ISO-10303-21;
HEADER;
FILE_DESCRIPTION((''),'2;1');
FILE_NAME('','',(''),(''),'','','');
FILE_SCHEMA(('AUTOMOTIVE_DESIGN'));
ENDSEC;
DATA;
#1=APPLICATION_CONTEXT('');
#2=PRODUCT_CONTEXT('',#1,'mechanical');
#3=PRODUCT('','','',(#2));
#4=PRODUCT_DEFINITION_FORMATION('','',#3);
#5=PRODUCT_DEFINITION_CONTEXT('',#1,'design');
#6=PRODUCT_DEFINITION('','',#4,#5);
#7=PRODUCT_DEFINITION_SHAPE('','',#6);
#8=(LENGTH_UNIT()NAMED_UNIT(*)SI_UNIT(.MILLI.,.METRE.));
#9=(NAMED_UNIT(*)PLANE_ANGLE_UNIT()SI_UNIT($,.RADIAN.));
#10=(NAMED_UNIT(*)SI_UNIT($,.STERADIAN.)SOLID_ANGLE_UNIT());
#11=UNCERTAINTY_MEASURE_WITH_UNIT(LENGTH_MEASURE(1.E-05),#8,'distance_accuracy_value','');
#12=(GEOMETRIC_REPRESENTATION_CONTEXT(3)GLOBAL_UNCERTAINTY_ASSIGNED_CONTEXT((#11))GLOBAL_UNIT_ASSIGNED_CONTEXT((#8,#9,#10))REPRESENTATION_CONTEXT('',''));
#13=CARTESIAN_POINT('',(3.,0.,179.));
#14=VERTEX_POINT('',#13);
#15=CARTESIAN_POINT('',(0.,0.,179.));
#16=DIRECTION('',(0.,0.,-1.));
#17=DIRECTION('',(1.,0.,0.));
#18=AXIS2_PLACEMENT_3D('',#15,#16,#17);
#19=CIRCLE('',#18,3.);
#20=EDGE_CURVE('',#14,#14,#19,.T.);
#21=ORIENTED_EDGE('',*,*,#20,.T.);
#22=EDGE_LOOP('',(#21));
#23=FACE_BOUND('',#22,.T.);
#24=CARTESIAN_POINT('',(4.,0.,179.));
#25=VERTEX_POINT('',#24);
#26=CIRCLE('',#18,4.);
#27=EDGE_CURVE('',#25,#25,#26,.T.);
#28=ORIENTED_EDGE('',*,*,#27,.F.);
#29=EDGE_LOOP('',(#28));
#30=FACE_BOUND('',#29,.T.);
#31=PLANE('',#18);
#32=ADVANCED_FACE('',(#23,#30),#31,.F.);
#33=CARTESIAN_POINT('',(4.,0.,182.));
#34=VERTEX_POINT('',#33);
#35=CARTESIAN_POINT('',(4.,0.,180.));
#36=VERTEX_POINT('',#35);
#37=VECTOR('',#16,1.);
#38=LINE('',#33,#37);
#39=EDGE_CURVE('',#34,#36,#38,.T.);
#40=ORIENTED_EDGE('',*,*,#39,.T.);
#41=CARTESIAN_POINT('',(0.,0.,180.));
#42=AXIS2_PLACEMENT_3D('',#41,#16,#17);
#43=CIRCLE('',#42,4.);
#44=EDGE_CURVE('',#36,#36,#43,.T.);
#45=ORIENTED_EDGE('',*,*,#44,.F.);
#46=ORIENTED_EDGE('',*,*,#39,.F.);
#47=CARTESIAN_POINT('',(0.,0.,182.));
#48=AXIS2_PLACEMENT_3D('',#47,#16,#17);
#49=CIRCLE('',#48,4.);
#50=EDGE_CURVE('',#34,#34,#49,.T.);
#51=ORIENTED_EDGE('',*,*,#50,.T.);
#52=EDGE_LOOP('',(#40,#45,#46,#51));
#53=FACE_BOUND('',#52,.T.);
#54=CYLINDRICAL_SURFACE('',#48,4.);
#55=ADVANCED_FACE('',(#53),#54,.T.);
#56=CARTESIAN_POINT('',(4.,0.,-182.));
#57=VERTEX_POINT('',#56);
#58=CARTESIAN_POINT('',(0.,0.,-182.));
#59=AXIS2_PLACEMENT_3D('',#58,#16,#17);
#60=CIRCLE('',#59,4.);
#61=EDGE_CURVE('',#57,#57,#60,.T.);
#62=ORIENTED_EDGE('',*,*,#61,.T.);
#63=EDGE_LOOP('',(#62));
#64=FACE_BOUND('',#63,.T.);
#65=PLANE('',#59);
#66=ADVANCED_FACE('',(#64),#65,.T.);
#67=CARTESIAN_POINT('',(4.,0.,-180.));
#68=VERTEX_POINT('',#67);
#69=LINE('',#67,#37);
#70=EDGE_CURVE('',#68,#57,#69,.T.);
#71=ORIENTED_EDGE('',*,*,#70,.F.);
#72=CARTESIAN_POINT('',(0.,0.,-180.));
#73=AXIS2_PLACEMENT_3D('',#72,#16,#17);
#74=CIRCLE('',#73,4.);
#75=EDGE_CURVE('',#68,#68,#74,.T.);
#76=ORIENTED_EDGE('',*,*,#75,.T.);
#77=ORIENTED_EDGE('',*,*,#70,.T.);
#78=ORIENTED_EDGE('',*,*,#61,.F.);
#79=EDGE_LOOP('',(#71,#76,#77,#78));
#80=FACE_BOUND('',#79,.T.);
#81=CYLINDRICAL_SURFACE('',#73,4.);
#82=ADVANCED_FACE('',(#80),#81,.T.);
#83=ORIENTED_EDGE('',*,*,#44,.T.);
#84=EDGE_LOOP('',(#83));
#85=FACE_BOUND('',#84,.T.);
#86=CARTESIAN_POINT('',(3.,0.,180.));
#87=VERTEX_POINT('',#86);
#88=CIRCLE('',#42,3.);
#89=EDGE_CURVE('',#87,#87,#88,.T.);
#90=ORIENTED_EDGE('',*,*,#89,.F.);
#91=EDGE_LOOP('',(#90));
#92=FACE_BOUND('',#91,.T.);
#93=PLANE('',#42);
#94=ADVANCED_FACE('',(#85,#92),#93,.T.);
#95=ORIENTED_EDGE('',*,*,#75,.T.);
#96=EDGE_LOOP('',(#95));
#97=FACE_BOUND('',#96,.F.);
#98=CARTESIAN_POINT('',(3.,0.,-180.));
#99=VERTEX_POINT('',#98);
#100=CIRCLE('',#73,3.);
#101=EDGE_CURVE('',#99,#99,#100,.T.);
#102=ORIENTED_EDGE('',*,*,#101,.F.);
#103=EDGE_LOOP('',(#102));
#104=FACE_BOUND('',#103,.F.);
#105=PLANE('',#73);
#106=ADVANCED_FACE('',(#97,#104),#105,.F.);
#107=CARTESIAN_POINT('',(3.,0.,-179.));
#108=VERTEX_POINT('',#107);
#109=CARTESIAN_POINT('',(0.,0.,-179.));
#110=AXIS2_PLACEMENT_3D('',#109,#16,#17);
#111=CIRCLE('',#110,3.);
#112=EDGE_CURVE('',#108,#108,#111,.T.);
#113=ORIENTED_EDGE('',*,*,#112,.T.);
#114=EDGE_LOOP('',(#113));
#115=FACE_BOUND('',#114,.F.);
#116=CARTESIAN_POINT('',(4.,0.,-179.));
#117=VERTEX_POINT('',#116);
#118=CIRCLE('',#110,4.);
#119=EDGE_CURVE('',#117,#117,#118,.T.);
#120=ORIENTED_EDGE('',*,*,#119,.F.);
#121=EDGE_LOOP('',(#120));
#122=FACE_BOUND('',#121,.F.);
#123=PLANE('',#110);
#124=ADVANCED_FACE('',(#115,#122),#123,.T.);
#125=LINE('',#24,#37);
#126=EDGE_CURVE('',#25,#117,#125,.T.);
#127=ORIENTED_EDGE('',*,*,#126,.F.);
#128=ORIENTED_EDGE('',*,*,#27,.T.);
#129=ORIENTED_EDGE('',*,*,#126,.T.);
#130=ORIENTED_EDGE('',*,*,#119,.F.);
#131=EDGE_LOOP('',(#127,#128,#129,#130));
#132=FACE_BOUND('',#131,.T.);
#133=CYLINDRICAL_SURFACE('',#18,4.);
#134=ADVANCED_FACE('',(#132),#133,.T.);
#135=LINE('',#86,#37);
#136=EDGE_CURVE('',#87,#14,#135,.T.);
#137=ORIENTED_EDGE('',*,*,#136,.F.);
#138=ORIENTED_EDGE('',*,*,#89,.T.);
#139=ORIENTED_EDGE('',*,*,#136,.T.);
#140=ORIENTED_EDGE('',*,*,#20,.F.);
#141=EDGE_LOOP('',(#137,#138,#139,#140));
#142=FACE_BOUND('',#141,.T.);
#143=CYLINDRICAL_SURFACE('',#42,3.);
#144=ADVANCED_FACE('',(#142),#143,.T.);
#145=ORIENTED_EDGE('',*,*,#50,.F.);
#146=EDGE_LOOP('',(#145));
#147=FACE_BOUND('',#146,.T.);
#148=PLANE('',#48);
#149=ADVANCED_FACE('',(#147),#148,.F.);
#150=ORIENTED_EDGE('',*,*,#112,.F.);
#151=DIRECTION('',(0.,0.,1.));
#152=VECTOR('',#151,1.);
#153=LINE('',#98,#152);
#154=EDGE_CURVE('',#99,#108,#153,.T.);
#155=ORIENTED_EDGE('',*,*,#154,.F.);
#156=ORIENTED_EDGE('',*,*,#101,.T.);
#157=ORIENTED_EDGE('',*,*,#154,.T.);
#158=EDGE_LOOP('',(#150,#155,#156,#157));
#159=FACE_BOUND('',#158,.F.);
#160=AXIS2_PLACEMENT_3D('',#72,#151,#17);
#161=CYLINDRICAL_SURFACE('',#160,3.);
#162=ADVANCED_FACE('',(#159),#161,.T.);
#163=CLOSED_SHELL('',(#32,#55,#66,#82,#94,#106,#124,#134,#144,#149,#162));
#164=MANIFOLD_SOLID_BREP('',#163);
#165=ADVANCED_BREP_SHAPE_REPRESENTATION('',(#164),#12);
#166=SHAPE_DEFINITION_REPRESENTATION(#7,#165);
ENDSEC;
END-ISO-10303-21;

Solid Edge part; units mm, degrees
sketch "Sketch1" plane through (0, 0, 0) normal (0, -1, 0) x (1, 0, 0)
  line L0 (0, 182) -> (4, 182)
  line L1 (4, 182) -> (4, 180)
  line L2 (4, 180) -> (3, 180)
  line L3 (3, 180) -> (3, 179)
  line L4 (3, 179) -> (4, 179)
  line L5 (4, 179) -> (4, -179)
  line L6 (3, -179) -> (4, -179)
  line L7 (3, -180) -> (3, -179)
  line L8 (4, -180) -> (3, -180)
  line L9 (4, -180) -> (4, -182)
  line L10 (4, -182) -> (0, -182)
  line L11 (0, 182) -> (0, -182)
revolve "RevolvedProtrusion1" add sketch "Sketch1" angle 360 about axis through (0, 0, 182) along (0, 0, -1)
